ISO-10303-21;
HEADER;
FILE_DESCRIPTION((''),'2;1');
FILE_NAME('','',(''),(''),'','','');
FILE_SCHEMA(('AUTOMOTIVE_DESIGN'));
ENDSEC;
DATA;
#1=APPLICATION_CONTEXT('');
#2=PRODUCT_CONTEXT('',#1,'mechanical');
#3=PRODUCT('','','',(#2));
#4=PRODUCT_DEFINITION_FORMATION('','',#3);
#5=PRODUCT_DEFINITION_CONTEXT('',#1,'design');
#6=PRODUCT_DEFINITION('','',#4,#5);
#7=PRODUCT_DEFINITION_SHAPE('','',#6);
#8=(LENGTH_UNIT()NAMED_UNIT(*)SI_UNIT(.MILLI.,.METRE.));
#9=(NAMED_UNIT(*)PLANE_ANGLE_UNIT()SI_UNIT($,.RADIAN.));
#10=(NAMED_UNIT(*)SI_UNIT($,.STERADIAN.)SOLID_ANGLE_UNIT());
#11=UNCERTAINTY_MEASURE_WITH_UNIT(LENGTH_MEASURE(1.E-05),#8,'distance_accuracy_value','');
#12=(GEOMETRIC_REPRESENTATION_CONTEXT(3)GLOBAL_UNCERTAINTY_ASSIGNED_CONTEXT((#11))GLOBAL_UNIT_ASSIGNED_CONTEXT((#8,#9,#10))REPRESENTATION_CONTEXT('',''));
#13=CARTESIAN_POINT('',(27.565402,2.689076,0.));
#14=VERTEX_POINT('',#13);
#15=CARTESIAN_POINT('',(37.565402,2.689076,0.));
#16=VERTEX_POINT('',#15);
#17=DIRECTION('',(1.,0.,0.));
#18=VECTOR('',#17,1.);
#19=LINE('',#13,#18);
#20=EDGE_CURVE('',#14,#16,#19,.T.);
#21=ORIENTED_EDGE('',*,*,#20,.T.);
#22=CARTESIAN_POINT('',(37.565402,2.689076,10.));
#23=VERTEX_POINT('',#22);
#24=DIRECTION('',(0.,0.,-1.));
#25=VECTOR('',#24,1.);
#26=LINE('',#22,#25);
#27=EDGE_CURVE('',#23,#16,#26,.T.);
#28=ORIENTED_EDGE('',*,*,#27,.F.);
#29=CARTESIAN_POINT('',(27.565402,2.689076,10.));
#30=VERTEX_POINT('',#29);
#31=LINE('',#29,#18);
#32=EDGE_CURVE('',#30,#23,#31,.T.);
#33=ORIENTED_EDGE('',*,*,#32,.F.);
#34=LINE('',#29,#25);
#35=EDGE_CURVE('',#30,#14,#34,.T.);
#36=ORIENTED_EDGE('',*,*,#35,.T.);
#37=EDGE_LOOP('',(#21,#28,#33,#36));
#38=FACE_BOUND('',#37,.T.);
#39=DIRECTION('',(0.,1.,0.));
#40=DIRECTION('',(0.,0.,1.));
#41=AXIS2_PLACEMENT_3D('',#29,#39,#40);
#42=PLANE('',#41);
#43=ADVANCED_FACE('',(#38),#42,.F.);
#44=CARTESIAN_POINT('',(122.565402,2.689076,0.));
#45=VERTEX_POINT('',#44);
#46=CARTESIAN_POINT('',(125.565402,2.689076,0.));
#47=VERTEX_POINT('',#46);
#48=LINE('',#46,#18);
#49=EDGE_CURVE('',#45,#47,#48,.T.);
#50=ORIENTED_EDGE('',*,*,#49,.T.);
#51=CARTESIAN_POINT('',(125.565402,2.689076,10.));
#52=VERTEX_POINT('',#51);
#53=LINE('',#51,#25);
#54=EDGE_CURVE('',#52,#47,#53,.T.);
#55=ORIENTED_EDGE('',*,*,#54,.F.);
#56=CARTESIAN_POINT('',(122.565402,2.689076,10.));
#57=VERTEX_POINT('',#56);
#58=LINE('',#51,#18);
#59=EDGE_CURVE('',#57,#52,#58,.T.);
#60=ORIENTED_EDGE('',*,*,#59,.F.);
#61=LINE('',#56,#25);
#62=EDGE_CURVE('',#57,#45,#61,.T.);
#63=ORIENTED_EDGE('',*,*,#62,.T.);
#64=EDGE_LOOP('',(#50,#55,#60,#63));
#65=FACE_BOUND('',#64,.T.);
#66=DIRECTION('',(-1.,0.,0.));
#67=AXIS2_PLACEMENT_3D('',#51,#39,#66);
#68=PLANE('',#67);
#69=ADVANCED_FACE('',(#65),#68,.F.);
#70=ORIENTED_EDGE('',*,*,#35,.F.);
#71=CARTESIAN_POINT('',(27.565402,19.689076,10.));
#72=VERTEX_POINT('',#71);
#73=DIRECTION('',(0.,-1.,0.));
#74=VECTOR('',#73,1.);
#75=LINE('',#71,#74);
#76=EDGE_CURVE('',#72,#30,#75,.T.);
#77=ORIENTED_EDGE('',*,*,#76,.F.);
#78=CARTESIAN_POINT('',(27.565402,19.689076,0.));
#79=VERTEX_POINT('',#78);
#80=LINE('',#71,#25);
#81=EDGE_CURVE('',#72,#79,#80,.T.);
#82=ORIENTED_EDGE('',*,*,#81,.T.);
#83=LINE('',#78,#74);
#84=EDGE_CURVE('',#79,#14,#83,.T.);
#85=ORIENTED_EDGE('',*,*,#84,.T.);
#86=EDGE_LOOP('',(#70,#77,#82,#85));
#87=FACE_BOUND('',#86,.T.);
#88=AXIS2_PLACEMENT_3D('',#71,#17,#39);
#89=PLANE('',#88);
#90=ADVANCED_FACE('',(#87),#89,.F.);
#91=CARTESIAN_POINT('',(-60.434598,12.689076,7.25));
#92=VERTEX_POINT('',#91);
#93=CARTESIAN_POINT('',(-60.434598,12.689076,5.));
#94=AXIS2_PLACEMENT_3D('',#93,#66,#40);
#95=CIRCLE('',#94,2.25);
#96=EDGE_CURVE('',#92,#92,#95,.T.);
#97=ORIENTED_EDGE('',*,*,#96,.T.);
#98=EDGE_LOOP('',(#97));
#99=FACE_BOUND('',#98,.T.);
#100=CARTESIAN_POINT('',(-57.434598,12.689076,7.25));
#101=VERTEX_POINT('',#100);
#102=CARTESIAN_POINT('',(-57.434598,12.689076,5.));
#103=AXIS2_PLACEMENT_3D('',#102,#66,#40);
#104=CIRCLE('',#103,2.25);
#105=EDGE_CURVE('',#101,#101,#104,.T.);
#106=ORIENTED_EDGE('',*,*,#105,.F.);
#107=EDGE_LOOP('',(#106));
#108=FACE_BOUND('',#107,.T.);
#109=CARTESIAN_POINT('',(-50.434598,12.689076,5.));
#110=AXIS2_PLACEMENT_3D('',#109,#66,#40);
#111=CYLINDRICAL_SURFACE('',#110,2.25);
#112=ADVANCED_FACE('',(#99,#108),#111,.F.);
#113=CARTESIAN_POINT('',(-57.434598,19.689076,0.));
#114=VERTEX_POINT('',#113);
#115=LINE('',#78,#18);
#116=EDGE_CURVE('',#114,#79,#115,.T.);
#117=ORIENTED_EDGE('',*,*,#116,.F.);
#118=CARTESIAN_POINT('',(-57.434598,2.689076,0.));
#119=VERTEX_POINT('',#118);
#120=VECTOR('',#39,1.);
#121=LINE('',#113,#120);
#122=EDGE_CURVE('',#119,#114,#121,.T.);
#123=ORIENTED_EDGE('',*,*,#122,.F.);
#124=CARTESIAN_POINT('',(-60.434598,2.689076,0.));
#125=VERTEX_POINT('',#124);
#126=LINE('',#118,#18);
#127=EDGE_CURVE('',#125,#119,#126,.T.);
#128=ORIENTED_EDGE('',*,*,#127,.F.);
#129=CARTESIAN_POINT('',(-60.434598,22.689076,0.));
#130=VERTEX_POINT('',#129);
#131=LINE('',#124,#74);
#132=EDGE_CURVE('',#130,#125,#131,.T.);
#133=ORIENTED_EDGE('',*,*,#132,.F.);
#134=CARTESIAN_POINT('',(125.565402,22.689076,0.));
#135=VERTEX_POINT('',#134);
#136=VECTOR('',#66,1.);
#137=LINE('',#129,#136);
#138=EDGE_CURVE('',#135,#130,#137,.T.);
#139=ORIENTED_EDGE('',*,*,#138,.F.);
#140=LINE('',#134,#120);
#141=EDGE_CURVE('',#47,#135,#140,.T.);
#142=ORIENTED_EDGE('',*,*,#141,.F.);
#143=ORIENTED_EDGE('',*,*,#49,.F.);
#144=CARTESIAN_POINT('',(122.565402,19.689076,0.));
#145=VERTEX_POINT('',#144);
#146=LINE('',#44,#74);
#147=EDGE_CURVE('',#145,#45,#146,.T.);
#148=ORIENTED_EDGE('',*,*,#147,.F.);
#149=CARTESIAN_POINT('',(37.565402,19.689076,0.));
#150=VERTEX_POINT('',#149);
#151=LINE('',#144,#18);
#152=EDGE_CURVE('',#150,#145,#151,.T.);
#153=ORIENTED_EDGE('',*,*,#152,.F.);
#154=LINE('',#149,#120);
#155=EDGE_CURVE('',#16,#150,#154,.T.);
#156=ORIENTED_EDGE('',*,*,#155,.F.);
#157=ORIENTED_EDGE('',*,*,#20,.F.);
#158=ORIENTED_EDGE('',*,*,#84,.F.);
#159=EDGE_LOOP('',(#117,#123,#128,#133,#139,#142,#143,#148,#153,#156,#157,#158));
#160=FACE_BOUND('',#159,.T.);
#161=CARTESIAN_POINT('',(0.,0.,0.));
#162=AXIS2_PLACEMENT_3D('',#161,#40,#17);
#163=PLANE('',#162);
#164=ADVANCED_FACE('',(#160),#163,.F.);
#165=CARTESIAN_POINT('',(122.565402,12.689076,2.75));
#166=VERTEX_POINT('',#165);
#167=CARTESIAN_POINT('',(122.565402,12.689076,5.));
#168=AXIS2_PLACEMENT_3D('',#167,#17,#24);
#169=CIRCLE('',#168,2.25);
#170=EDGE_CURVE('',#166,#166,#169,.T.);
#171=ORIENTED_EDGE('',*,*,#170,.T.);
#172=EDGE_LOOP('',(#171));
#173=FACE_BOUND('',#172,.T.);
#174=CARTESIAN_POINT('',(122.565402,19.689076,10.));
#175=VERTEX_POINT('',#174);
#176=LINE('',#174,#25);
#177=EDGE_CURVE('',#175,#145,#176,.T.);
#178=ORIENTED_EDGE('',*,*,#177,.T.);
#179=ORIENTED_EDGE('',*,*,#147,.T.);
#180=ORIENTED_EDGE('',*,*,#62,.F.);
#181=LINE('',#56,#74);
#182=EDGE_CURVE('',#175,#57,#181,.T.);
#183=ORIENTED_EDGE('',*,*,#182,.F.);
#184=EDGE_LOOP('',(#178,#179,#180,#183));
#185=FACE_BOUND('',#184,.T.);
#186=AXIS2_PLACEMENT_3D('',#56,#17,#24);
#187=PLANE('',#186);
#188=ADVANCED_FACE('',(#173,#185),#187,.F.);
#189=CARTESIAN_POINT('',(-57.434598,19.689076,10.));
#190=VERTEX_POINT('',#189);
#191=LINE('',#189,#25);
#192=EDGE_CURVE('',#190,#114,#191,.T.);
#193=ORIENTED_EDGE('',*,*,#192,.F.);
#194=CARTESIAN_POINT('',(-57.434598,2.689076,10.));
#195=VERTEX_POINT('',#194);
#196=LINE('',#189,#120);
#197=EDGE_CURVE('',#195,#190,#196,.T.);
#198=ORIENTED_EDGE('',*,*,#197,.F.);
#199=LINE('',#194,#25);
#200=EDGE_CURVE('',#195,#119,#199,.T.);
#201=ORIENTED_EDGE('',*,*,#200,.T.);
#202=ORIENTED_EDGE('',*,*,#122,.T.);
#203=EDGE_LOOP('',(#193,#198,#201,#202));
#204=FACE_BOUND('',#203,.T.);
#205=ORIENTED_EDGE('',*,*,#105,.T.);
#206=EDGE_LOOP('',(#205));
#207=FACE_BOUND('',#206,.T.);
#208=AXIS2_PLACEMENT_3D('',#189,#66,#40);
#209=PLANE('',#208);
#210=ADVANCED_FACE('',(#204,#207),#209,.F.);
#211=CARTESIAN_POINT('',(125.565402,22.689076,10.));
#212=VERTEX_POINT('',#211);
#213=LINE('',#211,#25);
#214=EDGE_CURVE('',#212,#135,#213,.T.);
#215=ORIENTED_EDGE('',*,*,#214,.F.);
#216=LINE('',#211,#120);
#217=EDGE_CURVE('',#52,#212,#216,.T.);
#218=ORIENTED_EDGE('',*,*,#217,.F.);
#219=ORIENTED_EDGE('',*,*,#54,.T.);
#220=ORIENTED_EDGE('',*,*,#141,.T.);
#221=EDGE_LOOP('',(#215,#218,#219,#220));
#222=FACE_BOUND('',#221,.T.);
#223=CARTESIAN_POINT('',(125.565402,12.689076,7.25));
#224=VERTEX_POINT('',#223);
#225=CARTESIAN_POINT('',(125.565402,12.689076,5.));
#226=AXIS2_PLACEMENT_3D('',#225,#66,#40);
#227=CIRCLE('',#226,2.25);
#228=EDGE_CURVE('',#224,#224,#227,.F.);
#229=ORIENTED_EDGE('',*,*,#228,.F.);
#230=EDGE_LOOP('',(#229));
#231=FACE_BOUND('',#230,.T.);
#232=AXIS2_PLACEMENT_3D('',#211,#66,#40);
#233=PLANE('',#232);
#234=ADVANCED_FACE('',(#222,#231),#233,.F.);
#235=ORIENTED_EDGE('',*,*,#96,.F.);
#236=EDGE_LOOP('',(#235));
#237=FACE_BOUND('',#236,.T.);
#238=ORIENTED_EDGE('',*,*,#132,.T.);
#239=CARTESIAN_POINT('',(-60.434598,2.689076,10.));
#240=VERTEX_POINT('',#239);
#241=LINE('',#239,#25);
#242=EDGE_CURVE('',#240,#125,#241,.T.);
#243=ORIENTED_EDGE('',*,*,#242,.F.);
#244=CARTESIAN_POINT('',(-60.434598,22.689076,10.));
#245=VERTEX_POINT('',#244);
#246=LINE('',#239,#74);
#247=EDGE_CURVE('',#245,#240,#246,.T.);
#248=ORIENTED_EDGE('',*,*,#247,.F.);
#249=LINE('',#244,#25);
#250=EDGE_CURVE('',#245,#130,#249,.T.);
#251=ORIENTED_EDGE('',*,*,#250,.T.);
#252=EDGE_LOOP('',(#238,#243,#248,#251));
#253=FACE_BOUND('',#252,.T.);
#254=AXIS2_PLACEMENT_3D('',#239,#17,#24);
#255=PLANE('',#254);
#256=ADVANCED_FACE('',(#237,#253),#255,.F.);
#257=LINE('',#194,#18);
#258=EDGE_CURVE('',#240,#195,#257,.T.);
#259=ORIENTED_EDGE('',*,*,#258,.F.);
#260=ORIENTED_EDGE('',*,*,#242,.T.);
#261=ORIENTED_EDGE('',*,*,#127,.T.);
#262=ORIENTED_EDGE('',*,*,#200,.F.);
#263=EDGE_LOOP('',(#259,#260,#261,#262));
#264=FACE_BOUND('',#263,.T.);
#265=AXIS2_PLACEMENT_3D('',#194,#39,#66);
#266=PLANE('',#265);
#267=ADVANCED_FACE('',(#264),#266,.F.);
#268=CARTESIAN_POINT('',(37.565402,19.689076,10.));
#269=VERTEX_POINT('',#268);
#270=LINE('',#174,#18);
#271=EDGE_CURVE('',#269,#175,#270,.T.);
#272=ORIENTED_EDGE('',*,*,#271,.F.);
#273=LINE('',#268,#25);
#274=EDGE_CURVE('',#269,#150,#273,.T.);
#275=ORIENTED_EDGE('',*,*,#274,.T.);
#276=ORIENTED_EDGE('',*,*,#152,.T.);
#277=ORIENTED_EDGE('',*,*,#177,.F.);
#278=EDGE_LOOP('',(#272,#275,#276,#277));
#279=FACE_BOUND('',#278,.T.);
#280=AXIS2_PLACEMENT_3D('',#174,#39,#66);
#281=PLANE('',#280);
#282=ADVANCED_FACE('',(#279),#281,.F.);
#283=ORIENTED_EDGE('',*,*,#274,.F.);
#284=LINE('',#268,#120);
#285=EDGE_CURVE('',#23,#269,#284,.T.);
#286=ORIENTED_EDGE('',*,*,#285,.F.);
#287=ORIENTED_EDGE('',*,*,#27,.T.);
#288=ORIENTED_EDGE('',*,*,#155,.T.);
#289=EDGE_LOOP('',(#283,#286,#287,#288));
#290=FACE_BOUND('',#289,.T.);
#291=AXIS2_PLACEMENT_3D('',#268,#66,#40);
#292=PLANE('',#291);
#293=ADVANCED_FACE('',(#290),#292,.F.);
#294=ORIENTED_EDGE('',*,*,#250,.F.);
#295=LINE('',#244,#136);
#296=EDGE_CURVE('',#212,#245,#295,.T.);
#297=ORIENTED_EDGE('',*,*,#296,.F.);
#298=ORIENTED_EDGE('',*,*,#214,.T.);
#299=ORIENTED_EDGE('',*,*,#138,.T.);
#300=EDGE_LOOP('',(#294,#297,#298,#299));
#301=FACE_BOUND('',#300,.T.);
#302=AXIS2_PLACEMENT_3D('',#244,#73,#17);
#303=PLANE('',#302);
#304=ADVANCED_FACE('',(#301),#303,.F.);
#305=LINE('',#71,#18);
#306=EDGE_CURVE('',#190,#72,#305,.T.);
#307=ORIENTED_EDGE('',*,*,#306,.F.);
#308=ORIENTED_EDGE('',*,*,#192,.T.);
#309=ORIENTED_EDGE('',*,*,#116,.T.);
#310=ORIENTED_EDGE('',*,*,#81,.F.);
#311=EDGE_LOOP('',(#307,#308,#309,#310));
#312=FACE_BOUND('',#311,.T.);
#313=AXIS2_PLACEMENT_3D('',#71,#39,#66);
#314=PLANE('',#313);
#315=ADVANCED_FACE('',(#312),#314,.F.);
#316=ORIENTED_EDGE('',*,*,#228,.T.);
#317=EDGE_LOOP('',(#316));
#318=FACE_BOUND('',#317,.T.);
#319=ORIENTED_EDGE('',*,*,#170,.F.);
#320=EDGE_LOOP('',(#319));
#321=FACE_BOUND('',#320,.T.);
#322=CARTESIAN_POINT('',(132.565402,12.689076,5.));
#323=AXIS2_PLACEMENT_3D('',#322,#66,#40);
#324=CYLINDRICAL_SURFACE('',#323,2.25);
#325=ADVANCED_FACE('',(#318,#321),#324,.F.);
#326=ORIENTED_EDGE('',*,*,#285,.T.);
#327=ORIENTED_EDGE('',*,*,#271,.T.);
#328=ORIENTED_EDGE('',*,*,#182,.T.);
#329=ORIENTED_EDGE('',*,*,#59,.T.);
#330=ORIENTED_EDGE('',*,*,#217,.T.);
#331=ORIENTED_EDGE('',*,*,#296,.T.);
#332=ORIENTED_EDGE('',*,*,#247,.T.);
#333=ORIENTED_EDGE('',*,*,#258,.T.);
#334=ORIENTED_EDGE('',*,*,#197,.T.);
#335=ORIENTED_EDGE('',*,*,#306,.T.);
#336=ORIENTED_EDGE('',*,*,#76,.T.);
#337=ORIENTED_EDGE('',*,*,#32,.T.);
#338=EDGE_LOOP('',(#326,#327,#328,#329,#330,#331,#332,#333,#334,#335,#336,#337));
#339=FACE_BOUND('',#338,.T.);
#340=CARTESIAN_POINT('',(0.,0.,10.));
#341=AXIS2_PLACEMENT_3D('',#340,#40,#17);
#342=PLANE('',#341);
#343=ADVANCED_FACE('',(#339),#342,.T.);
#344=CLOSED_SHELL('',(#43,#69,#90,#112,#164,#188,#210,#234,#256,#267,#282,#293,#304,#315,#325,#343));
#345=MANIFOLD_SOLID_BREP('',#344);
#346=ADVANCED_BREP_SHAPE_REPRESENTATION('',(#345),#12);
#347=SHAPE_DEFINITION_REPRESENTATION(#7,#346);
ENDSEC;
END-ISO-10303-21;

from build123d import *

# Parameters (mm, degrees)
DODANIE_WYCI_GNI_CIE1_DEPTH = 10
SZKIC4_R                    = 2.25
WYTNIJ_WYCI_GNI_CIE1_DEPTH  = 10
WYTNIJ_WYCI_GNI_CIE2_START  = -183
SZKIC4_2_R                  = 2.25
WYTNIJ_WYCI_GNI_CIE2_DEPTH  = 10


with BuildPart() as part:
    # Szkic2 → Dodanie-wyciągnięcie1 (new body)
    with BuildSketch(Plane.XY):
        Polygon((-60.434598082, 22.68907563), (125.565401918, 22.68907563), (125.565401918, 2.68907563), (122.565401918, 2.68907563), (122.565401918, 19.68907563), (37.565401918, 19.68907563), (37.565401918, 2.68907563), (27.565401918, 2.68907563), (27.565401918, 19.68907563), (-57.434598082, 19.68907563), (-57.434598082, 2.68907563), (-60.434598082, 2.68907563), align=None)
    extrude(amount=DODANIE_WYCI_GNI_CIE1_DEPTH)

    # Szkic4 → Wytnij-wyciągnięcie1 (cut)
    with BuildSketch(Plane.ZY.offset(60.434598082)):
        with Locations((5, 12.68907563)):
            Circle(SZKIC4_R)
    extrude(amount=-WYTNIJ_WYCI_GNI_CIE1_DEPTH, mode=Mode.SUBTRACT)

    # Szkic4<2> → Wytnij-wyciągnięcie2 (cut)
    with BuildSketch(Plane.ZY.offset(60.434598082).offset(WYTNIJ_WYCI_GNI_CIE2_START)):
        with Locations((5, 12.68907563)):
            Circle(SZKIC4_2_R)
    extrude(amount=-WYTNIJ_WYCI_GNI_CIE2_DEPTH, mode=Mode.SUBTRACT)


solid = part.part
